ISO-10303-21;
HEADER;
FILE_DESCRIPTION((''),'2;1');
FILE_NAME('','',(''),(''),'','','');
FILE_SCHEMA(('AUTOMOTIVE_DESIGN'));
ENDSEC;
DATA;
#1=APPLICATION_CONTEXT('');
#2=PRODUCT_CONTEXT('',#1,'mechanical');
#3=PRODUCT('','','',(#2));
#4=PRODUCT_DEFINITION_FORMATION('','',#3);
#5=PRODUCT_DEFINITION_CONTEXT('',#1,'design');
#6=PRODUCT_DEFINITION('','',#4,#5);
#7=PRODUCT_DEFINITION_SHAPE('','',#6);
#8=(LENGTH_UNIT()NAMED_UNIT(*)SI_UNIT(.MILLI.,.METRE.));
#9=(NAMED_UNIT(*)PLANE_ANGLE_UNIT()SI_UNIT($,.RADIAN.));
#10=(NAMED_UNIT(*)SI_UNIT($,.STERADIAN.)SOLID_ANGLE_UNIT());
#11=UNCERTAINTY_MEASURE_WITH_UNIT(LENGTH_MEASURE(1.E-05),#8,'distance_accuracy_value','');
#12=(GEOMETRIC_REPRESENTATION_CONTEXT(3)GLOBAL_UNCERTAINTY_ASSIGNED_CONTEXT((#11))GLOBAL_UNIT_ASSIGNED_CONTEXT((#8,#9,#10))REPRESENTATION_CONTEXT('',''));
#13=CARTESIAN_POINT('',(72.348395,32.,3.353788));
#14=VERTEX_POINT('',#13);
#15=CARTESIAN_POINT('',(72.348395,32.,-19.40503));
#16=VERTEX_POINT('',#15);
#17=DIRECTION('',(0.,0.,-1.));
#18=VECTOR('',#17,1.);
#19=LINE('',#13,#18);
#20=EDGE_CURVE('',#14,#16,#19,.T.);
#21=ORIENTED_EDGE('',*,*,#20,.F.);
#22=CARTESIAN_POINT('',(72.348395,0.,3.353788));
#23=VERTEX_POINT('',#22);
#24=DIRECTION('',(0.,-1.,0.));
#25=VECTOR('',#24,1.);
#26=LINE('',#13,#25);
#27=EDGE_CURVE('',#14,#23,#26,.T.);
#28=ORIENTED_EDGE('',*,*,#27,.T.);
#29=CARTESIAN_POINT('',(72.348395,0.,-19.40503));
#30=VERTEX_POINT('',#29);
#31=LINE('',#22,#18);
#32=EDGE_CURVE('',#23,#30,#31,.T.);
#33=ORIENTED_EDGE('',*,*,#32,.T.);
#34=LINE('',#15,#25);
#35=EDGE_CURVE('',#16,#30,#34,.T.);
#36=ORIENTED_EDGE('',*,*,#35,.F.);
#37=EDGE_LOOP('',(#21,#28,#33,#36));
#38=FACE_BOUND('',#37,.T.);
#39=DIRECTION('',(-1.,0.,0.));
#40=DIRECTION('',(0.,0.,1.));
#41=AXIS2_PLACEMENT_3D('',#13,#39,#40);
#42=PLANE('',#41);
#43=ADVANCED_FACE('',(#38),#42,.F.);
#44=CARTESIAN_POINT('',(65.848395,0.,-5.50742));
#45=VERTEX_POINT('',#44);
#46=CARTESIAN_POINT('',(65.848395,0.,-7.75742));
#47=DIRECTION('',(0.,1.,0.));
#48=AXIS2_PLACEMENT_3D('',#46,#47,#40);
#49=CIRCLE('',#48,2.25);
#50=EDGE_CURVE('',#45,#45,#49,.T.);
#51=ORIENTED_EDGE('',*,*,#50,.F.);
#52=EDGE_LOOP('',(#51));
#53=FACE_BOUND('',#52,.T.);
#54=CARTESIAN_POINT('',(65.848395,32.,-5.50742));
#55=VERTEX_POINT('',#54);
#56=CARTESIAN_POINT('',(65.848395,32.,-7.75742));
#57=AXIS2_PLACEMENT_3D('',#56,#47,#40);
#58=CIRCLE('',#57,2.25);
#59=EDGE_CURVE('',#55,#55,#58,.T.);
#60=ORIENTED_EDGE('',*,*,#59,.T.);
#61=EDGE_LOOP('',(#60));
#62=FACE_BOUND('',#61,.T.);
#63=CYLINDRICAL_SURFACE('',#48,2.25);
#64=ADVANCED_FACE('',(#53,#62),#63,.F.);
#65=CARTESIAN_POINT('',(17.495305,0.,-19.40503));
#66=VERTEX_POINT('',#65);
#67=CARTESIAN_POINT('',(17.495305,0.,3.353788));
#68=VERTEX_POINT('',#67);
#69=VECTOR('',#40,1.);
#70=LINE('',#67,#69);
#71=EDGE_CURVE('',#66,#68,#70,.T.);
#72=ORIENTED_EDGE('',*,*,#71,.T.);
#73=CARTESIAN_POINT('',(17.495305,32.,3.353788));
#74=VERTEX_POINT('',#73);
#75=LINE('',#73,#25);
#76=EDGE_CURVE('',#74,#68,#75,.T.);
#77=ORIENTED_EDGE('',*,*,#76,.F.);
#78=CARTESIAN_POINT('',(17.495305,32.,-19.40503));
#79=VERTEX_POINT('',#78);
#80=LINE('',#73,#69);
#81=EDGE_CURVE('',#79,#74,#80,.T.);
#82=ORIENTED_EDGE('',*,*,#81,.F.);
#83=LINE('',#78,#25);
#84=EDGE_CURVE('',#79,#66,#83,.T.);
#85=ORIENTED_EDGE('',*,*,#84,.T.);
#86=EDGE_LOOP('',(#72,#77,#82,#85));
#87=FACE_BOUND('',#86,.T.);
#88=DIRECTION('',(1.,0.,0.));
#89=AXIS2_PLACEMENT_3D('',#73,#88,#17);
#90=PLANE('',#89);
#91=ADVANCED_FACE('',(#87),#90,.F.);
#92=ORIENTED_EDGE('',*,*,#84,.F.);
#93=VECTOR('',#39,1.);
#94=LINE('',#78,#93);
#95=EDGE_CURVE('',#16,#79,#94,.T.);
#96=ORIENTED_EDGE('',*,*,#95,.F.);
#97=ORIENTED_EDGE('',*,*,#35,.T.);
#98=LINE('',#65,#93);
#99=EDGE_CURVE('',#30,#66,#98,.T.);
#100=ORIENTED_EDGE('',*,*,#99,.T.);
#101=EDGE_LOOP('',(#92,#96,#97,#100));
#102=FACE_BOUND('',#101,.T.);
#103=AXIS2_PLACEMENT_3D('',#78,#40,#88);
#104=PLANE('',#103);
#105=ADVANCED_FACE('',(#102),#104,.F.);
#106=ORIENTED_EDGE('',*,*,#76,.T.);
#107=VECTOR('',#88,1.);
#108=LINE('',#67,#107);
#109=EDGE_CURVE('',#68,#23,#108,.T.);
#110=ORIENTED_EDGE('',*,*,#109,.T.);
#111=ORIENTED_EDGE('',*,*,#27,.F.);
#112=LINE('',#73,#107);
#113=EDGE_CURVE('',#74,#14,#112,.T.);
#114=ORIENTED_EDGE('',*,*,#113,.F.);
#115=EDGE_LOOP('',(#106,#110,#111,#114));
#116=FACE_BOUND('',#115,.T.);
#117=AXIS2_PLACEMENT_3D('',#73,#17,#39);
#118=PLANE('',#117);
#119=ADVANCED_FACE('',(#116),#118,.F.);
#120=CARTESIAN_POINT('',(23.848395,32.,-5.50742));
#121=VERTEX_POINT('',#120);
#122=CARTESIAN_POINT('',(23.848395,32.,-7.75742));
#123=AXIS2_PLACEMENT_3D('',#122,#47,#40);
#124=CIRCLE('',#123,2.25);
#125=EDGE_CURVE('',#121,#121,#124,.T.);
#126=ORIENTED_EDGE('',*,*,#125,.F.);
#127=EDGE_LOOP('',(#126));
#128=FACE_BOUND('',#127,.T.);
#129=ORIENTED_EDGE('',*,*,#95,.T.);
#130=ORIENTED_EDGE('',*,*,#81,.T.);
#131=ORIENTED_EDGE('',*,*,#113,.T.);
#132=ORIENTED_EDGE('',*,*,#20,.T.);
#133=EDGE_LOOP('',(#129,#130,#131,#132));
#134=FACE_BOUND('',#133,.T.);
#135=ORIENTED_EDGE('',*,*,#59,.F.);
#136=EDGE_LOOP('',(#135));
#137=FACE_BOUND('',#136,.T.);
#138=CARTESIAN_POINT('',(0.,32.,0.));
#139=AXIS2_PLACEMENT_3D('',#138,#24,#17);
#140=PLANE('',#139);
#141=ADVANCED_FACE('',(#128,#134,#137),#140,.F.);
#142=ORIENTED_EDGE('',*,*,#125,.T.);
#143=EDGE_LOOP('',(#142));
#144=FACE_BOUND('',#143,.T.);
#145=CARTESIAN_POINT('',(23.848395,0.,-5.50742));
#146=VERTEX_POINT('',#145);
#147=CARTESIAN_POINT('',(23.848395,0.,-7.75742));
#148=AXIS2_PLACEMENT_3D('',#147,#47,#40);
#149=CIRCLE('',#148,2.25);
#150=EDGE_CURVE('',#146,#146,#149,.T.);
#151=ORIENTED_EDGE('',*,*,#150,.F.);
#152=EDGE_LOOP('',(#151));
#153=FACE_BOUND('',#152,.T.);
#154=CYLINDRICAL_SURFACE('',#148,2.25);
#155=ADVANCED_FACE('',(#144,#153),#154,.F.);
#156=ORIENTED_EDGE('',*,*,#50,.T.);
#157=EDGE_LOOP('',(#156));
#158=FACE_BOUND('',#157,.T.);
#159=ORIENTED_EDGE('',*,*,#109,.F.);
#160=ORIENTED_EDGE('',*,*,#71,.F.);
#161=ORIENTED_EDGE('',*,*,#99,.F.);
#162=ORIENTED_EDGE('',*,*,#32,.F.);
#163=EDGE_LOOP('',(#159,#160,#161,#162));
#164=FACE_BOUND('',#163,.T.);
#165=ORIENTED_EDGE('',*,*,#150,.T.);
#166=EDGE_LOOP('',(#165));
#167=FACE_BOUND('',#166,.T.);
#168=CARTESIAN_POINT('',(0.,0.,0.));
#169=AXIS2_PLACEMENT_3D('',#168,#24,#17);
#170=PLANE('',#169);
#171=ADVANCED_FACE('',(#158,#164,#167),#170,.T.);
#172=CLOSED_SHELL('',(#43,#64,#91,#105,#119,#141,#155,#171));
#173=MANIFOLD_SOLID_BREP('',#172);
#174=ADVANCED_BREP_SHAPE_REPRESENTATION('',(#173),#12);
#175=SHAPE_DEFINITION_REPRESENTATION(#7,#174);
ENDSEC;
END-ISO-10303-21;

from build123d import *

# Parameters (mm, degrees)
CROQUIS1_W              = 54.853089678
CROQUIS1_H              = 22.758817794
SALIENTE_EXTRUIR1_DEPTH = 32
CROQUIS2_R              = 2.25
CORTAR_EXTRUIR1_DEPTH   = 82.454560552


with BuildPart() as part:
    # Croquis1 → Saliente-Extruir1 (new body)
    with BuildSketch(Plane(origin=(0, 0, 0), x_dir=(1, 0, 0), z_dir=(0, 1, 0))):
        with Locations((44.92185013, 8.025620867)):
            Rectangle(CROQUIS1_W, CROQUIS1_H)
    extrude(amount=SALIENTE_EXTRUIR1_DEPTH)

    # Croquis2 → Cortar-Extruir1 (cut, through all)
    with BuildSketch(Plane(origin=(0, 32, 0), x_dir=(1, 0, 0), z_dir=(0, 1, 0))):
        with Locations(Location((23.848394969, 7.757419581, 0), (0, 0, 270))):
            Circle(CROQUIS2_R)
        with Locations(Location((65.848394969, 7.757419581, 0), (0, 0, 270))):
            Circle(CROQUIS2_R)
    extrude(amount=-CORTAR_EXTRUIR1_DEPTH, mode=Mode.SUBTRACT)


solid = part.part
